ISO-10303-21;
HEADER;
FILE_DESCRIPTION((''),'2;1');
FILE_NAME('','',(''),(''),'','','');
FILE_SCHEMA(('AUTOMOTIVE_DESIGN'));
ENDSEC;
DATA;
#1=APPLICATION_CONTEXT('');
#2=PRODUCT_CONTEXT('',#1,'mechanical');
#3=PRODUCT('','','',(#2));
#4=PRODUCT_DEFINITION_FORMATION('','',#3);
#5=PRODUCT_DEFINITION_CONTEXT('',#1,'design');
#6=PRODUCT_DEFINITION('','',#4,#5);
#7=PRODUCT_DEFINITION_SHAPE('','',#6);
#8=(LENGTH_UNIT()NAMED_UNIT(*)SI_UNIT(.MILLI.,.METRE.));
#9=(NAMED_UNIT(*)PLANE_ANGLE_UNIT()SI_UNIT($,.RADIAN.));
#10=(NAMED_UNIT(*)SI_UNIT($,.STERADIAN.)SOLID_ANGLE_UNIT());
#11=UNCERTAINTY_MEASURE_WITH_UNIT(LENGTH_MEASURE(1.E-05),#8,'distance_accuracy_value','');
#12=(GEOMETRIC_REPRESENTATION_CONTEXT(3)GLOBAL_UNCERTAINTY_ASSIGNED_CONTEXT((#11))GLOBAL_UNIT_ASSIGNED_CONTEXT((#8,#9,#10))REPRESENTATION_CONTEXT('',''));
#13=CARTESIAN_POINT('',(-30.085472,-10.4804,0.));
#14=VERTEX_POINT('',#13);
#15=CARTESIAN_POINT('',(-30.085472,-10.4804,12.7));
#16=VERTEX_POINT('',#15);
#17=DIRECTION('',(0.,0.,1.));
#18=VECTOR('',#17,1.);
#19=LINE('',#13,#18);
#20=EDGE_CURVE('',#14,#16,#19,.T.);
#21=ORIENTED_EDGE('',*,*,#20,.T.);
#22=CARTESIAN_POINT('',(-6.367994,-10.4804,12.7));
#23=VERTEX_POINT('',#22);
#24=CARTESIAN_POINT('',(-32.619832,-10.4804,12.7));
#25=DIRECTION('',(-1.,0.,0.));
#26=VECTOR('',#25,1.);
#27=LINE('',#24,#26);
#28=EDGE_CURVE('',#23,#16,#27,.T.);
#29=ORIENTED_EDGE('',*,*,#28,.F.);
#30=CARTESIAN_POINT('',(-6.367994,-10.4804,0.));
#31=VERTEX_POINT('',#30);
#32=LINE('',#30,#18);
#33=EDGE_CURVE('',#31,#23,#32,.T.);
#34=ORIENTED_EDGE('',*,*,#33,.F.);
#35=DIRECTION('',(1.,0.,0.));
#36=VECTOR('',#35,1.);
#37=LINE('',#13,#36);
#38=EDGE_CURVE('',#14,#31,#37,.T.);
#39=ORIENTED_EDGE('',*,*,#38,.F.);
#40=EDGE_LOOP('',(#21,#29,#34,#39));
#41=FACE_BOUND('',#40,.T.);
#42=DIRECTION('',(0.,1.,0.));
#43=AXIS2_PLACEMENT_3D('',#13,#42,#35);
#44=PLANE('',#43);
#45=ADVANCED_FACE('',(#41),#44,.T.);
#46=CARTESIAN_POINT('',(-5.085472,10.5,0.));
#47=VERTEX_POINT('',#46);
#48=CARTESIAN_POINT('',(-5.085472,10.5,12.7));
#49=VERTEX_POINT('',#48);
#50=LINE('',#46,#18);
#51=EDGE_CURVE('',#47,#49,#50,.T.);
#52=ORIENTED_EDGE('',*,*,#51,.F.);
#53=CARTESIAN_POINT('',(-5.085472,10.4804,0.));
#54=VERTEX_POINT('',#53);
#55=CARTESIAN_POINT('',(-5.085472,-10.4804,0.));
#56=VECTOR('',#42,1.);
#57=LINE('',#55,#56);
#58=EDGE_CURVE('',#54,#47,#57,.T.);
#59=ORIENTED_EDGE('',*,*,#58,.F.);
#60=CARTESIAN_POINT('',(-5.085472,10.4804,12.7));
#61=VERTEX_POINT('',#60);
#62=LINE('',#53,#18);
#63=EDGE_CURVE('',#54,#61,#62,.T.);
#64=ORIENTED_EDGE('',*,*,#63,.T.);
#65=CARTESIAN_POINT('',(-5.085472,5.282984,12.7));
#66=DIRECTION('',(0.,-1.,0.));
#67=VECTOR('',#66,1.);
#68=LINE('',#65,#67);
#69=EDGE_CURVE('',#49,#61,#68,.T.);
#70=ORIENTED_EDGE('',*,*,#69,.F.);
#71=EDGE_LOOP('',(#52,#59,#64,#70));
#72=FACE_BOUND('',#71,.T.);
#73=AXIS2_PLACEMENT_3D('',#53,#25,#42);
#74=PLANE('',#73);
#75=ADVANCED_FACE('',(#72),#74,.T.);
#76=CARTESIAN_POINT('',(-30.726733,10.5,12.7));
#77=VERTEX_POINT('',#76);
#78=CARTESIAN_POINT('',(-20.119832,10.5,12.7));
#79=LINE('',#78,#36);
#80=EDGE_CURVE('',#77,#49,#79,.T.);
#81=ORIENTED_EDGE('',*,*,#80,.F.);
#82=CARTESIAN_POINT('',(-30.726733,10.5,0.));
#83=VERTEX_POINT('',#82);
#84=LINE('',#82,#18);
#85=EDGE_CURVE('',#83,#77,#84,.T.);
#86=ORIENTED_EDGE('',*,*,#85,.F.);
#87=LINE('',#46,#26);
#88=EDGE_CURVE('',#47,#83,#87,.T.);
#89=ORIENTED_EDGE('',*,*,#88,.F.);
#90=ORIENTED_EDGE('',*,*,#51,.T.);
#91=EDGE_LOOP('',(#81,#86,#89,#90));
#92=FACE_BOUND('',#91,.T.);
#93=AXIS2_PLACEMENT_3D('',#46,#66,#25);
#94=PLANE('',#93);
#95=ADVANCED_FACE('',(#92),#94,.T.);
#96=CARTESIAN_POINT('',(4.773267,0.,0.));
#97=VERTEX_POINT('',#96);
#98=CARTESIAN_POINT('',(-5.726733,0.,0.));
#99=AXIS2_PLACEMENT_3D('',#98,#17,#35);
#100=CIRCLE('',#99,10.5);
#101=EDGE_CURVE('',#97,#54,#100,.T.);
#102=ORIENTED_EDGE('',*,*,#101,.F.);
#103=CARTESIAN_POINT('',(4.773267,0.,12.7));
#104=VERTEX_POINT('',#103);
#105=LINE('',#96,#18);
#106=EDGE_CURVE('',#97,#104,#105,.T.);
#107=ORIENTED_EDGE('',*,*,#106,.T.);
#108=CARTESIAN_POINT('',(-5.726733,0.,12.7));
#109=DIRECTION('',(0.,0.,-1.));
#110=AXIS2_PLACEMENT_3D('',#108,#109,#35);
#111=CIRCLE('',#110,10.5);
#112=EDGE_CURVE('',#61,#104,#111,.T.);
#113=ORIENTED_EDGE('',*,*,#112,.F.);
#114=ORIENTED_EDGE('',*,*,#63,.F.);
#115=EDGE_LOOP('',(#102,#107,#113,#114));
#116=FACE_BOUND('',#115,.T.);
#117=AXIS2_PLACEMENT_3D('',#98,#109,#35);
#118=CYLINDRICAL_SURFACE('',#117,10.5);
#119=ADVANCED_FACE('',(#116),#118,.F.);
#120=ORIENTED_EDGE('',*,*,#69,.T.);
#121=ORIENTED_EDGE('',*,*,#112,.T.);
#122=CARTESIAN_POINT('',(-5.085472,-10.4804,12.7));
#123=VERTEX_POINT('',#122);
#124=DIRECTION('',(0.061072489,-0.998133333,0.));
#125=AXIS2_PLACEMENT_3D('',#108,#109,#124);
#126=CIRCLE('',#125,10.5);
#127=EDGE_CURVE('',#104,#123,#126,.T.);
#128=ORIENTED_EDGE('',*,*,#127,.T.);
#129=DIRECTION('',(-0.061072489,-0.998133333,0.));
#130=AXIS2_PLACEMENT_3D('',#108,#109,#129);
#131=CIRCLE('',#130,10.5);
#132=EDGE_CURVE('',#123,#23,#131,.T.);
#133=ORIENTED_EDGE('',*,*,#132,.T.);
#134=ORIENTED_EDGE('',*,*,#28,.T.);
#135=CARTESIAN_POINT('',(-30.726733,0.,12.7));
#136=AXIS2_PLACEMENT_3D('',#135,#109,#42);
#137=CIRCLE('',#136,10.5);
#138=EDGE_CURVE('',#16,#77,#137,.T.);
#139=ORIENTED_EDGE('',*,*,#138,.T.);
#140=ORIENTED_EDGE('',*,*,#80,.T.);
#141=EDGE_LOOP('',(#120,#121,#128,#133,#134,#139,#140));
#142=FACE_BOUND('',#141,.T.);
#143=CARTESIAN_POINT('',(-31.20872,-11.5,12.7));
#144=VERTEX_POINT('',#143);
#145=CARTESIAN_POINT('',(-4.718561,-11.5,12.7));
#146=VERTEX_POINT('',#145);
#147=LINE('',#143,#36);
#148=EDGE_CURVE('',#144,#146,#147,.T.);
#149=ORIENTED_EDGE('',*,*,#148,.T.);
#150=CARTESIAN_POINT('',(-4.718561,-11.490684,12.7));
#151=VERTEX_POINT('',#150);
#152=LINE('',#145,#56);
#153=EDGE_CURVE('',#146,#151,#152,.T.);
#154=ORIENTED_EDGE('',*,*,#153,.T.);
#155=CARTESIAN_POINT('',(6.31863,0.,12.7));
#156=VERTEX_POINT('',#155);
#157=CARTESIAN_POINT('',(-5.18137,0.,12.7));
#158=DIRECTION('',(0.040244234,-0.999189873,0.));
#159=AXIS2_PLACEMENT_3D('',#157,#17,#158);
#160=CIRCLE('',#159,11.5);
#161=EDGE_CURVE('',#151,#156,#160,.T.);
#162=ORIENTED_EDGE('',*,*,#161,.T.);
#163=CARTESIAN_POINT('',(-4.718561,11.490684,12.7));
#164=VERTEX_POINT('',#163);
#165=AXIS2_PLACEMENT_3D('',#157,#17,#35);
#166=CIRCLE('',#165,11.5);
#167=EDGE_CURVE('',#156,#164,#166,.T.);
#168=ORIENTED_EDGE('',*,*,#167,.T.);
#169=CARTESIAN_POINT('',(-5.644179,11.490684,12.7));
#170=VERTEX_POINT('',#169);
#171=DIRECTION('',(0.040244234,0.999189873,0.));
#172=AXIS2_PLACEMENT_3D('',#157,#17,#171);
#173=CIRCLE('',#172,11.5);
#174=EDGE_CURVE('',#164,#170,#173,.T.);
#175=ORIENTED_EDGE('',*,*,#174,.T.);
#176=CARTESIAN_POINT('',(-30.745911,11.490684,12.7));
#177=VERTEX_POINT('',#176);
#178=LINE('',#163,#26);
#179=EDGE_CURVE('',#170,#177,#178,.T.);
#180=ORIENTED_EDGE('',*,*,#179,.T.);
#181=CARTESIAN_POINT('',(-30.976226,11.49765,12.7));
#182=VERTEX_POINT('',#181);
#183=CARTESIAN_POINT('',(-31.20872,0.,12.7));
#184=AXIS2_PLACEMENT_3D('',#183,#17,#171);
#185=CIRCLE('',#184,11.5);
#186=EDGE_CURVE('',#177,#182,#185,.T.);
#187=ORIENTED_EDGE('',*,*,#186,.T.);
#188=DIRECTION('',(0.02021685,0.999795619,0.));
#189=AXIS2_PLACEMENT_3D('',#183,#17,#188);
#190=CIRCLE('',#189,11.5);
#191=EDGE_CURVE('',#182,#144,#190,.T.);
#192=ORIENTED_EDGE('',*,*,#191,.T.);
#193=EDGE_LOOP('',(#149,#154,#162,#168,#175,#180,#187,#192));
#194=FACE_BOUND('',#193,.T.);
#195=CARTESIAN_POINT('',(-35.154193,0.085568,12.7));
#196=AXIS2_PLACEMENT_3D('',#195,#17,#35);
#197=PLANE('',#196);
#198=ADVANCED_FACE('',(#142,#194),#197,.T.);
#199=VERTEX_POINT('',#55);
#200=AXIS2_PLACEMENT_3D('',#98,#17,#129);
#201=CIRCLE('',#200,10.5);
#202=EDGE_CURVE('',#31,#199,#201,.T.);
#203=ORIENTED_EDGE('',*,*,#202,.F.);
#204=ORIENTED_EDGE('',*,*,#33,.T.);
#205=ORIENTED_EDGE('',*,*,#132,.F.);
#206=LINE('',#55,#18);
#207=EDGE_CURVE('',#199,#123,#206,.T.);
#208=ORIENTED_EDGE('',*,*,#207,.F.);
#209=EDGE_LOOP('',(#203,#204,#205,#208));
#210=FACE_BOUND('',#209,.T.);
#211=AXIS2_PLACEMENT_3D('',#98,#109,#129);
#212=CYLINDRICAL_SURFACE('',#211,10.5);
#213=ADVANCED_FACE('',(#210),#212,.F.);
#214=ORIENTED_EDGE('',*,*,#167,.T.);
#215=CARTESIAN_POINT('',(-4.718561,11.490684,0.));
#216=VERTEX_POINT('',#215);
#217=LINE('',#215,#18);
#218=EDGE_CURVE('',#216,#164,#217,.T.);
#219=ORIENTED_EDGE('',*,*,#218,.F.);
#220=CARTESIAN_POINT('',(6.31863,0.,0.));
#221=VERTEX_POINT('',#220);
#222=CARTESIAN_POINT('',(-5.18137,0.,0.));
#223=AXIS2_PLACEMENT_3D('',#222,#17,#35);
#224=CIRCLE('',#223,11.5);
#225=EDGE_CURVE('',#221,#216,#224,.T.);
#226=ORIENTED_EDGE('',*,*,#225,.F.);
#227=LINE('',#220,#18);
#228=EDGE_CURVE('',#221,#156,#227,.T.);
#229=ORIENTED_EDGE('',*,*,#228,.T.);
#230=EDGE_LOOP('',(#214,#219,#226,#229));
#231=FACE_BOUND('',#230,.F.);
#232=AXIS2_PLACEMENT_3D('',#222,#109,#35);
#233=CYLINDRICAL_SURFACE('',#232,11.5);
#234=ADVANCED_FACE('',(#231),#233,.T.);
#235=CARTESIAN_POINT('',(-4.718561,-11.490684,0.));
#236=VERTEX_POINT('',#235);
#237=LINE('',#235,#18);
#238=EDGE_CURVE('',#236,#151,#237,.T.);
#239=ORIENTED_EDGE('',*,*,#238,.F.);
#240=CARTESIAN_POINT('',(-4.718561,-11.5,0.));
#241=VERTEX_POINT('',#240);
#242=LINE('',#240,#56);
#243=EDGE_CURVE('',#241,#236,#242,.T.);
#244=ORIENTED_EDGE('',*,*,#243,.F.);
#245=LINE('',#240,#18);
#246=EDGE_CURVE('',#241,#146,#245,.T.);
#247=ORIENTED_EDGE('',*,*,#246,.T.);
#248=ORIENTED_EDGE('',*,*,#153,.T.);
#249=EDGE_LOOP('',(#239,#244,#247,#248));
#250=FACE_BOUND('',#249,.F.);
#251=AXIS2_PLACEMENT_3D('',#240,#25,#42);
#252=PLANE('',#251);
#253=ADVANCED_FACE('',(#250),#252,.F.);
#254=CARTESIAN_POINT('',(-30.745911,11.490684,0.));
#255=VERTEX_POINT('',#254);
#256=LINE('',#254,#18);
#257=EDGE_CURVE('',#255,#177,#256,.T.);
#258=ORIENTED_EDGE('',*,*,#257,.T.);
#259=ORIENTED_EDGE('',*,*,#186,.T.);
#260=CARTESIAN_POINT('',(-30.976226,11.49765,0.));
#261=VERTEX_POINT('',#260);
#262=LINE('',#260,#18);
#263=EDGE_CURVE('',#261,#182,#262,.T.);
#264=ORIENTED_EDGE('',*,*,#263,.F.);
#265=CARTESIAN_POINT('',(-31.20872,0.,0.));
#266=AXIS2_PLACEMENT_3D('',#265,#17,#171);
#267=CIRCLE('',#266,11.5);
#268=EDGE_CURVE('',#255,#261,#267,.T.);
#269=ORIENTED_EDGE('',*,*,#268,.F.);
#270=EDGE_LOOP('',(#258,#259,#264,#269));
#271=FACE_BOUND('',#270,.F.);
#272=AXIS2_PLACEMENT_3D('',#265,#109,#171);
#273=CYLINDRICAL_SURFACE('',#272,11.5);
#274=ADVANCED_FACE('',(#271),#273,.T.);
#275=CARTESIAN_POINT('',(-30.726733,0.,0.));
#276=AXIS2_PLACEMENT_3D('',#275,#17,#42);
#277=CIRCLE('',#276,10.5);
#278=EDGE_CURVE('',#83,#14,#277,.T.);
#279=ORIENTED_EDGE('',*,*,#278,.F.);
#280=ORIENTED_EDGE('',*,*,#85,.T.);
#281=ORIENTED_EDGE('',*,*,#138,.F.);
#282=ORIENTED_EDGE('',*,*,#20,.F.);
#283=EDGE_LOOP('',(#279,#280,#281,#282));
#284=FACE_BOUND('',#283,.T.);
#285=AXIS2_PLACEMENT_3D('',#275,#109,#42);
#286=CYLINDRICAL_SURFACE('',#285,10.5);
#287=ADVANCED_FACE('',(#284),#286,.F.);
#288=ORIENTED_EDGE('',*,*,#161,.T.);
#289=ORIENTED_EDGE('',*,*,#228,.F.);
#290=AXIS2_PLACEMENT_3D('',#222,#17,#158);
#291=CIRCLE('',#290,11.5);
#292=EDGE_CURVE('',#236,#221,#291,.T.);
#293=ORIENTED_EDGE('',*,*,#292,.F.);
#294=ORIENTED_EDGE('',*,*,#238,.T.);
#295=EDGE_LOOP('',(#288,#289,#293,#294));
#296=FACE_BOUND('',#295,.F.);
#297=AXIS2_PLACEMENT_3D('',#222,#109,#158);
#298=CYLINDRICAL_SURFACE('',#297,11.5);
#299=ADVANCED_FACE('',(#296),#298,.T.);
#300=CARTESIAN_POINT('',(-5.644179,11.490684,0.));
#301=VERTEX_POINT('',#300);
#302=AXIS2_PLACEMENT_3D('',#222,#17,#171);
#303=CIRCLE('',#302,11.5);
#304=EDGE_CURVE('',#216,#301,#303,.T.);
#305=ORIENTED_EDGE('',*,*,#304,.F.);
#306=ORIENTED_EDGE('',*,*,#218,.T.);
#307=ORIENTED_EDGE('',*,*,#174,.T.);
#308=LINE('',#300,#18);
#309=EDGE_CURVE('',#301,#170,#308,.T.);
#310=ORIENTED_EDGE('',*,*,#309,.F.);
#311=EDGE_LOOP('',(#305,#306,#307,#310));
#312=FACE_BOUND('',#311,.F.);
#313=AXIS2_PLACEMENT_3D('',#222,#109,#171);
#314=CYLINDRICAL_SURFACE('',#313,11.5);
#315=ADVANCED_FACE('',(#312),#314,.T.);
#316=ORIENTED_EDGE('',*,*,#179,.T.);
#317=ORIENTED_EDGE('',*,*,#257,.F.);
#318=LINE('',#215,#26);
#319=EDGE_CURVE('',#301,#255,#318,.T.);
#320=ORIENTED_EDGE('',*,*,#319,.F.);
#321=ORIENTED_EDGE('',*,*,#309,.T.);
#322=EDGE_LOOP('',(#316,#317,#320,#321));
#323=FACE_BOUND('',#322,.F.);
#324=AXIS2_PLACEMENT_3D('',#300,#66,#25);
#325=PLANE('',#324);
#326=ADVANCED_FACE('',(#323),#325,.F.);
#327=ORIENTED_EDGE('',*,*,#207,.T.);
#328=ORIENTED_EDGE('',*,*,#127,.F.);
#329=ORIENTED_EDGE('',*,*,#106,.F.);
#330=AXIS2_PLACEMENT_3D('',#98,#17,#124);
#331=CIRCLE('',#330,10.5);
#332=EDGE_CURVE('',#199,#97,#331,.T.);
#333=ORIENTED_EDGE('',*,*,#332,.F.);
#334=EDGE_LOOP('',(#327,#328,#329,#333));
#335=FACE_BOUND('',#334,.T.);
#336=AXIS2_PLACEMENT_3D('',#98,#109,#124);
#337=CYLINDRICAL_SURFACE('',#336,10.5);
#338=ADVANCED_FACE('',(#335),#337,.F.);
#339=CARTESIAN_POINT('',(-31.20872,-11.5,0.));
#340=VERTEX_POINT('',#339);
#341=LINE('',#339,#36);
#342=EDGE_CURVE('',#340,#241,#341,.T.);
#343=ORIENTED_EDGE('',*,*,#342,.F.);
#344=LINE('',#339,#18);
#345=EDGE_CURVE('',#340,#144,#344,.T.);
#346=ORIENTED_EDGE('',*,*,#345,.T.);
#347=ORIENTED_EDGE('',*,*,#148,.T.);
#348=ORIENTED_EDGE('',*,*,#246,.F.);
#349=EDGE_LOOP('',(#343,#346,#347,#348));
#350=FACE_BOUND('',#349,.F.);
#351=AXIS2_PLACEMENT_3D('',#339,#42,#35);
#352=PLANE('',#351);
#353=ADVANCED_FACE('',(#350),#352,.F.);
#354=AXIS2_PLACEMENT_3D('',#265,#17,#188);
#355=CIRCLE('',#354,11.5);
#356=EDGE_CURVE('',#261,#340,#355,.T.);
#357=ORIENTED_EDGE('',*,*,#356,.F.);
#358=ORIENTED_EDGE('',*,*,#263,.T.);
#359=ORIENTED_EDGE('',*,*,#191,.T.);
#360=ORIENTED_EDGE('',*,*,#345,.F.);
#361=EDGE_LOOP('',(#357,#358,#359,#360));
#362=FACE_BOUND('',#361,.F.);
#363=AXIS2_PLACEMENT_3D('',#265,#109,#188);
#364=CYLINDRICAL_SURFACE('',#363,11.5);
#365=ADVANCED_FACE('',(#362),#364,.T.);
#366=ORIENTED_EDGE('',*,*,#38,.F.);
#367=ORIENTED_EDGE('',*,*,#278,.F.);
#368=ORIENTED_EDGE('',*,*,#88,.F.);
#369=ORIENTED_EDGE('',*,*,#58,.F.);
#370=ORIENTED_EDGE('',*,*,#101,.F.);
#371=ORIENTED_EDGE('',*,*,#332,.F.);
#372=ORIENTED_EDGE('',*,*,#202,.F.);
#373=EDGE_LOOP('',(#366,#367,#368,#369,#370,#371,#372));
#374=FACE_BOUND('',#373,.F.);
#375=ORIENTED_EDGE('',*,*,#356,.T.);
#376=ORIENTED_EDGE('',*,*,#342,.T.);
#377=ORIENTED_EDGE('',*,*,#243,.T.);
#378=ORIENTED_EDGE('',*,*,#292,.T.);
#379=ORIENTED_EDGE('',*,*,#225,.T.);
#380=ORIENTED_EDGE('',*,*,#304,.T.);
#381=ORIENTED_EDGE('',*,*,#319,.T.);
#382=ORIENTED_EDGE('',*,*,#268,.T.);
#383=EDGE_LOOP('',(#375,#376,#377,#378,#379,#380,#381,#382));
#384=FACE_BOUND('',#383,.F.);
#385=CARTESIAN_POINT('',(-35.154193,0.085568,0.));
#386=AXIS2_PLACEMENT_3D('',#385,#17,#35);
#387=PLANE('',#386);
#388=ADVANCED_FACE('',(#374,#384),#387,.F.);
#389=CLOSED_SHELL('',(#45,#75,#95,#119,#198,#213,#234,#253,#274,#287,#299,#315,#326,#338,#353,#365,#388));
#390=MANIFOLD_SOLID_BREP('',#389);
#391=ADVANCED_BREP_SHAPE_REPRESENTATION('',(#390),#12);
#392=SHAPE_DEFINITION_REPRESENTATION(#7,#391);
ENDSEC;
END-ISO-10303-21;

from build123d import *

# Parameters (mm, degrees)
F2_DEPTH = 12.7
F3_DEPTH = 25.4


with BuildPart() as f2:
    # F1 (on Top) → F2 (new body)
    with BuildSketch(Plane.XY):
        with BuildLine():
            Line((-31.2087200582, 11.497649614), (-30.9762262846, 11.497649614))
            ThreePointArc((-30.9762262846, 11.497649614), (-42.7081324467, 0.1162528269), (-31.2087200582, -11.5))
            Line((-31.2087200582, -11.5), (-31.2087200582, 11.497649614))
        make_face()
        with BuildLine():
            Line((-30.9762262846, 11.4906835356), (-30.9762262846, 11.497649614))
            Line((-30.9762262846, 11.497649614), (-31.2087200582, 11.497649614))
            Line((-31.2087200582, 11.497649614), (-31.2087200582, -11.5))
            ThreePointArc((-31.2087200582, -11.5), (-31.0924672313, -11.4994123885), (-30.9762262846, -11.497649614))
            Line((-30.9762262846, -11.497649614), (-30.9762262846, 11.4906835356))
        make_face()
        with BuildLine():
            ThreePointArc((-30.7459113671, 11.4906835356), (-30.8610513784, 11.4947434286), (-30.9762262846, 11.497649614))
            Line((-30.9762262846, 11.497649614), (-30.9762262846, 11.4906835356))
            Line((-30.9762262846, 11.4906835356), (-30.7459113671, 11.4906835356))
        make_face()
        with BuildLine():
            ThreePointArc((-30.9762262846, -11.497649614), (-31.0924672313, -11.4994123885), (-31.2087200582, -11.5))
            Line((-31.2087200582, -11.5), (-30.9762262846, -11.5))
            Line((-30.9762262846, -11.5), (-30.9762262846, -11.497649614))
        make_face()
        with BuildLine():
            Line((-5.6441785285, 11.4906835356), (-30.7459113671, 11.4906835356))
            ThreePointArc((-30.7459113671, 11.4906835356), (-22.9149784434, 7.9664201512), (-19.7087200582, 0))
            ThreePointArc((-19.7087200582, 0), (-22.9952044164, -8.0491093173), (-30.9762262846, -11.497649614))
            Line((-30.9762262846, -11.497649614), (-30.9762262846, -11.5))
            Line((-30.9762262846, -11.5), (-5.1813698374, -11.5))
            ThreePointArc((-5.1813698374, -11.5), (-16.6790404854, -0.2314512265), (-5.6441785285, 11.4906835356))
        make_face()
        with BuildLine():
            ThreePointArc((-19.7087200582, 0), (-22.9149784434, 7.9664201512), (-30.7459113671, 11.4906835356))
            Line((-30.7459113671, 11.4906835356), (-30.9762262846, 11.4906835356))
            Line((-30.9762262846, 11.4906835356), (-30.9762262846, -11.497649614))
            ThreePointArc((-30.9762262846, -11.497649614), (-22.9952044164, -8.0491093173), (-19.7087200582, 0))
        make_face()
        with BuildLine():
            Line((-4.7185611463, 11.4906835356), (-5.6441785285, 11.4906835356))
            ThreePointArc((-5.6441785285, 11.4906835356), (-16.6790404854, -0.2314512265), (-5.1813698374, -11.5))
            ThreePointArc((-5.1813698374, -11.5), (-4.9499186108, -11.497670648), (-4.7185611463, -11.4906835356))
            Line((-4.7185611463, -11.4906835356), (-4.7185611463, 11.4906835356))
        make_face()
        with BuildLine():
            ThreePointArc((-4.7185611463, 11.4906835356), (-5.1813698374, 11.5), (-5.6441785285, 11.4906835356))
            Line((-5.6441785285, 11.4906835356), (-4.7185611463, 11.4906835356))
        make_face()
        with BuildLine():
            ThreePointArc((-4.7185611463, -11.4906835356), (-4.9499186108, -11.497670648), (-5.1813698374, -11.5))
            Line((-5.1813698374, -11.5), (-4.7185611463, -11.5))
            Line((-4.7185611463, -11.5), (-4.7185611463, -11.4906835356))
        make_face()
        with BuildLine():
            ThreePointArc((6.3186301626, 0), (3.1123717775, 7.9664201512), (-4.7185611463, 11.4906835356))
            Line((-4.7185611463, 11.4906835356), (-4.7185611463, -11.4906835356))
            ThreePointArc((-4.7185611463, -11.4906835356), (3.1123717775, -7.9664201512), (6.3186301626, 0))
        make_face()
    extrude(amount=F2_DEPTH)

    # F0 (on Top) → F3 (cut)
    with BuildSketch(Plane.XY):
        with BuildLine():
            ThreePointArc((-30.0854715537, -10.4804), (-23.0787511913, -7.194329646), (-20.2267326862, 0))
            ThreePointArc((-20.2267326862, 0), (-23.3021114837, 7.4246212025), (-30.7267326862, 10.5))
            Line((-30.7267326862, 10.5), (-30.7267326862, -10.4804))
            Line((-30.7267326862, -10.4804), (-30.0854715537, -10.4804))
        make_face()
        with BuildLine():
            ThreePointArc((-30.7267326862, 10.5), (-23.3021114837, 7.4246212025), (-20.2267326862, 0))
            ThreePointArc((-20.2267326862, 0), (-23.0787511913, -7.194329646), (-30.0854715537, -10.4804))
            Line((-30.0854715537, -10.4804), (-6.3679938186, -10.4804))
            ThreePointArc((-6.3679938186, -10.4804), (-16.2218315423, 0.3207802986), (-5.7267326862, 10.5))
            Line((-5.7267326862, 10.5), (-30.7267326862, 10.5))
        make_face()
        with BuildLine():
            Line((-30.7267326862, -10.4804), (-30.7267326862, 10.5))
            ThreePointArc((-30.7267326862, 10.5), (-41.2218315423, -0.3207802986), (-30.0854715537, -10.4804))
            Line((-30.0854715537, -10.4804), (-30.7267326862, -10.4804))
        make_face()
        with BuildLine():
            Line((-5.0854715537, 10.5), (-5.7267326862, 10.5))
            ThreePointArc((-5.7267326862, 10.5), (-5.4059523875, 10.4950988561), (-5.0854715537, 10.4804))
            Line((-5.0854715537, 10.4804), (-5.0854715537, 10.5))
        make_face()
        with BuildLine():
            ThreePointArc((-5.0854715537, 10.4804), (-5.4059523875, 10.4950988561), (-5.7267326862, 10.5))
            ThreePointArc((-5.7267326862, 10.5), (-16.2218315423, 0.3207802986), (-6.3679938186, -10.4804))
            Line((-6.3679938186, -10.4804), (-5.0854715537, -10.4804))
            Line((-5.0854715537, -10.4804), (-5.0854715537, 10.4804))
        make_face()
        with BuildLine():
            Line((-5.0854715537, -10.4804), (-6.3679938186, -10.4804))
            ThreePointArc((-6.3679938186, -10.4804), (-5.7267326862, -10.5), (-5.0854715537, -10.4804))
        make_face()
        with BuildLine():
            ThreePointArc((4.7732673138, 0), (1.9212488087, 7.194329646), (-5.0854715537, 10.4804))
            Line((-5.0854715537, 10.4804), (-5.0854715537, -10.4804))
            ThreePointArc((-5.0854715537, -10.4804), (1.9212488087, -7.194329646), (4.7732673138, 0))
        make_face()
    extrude(amount=F3_DEPTH, mode=Mode.SUBTRACT)


solid = f2.part
